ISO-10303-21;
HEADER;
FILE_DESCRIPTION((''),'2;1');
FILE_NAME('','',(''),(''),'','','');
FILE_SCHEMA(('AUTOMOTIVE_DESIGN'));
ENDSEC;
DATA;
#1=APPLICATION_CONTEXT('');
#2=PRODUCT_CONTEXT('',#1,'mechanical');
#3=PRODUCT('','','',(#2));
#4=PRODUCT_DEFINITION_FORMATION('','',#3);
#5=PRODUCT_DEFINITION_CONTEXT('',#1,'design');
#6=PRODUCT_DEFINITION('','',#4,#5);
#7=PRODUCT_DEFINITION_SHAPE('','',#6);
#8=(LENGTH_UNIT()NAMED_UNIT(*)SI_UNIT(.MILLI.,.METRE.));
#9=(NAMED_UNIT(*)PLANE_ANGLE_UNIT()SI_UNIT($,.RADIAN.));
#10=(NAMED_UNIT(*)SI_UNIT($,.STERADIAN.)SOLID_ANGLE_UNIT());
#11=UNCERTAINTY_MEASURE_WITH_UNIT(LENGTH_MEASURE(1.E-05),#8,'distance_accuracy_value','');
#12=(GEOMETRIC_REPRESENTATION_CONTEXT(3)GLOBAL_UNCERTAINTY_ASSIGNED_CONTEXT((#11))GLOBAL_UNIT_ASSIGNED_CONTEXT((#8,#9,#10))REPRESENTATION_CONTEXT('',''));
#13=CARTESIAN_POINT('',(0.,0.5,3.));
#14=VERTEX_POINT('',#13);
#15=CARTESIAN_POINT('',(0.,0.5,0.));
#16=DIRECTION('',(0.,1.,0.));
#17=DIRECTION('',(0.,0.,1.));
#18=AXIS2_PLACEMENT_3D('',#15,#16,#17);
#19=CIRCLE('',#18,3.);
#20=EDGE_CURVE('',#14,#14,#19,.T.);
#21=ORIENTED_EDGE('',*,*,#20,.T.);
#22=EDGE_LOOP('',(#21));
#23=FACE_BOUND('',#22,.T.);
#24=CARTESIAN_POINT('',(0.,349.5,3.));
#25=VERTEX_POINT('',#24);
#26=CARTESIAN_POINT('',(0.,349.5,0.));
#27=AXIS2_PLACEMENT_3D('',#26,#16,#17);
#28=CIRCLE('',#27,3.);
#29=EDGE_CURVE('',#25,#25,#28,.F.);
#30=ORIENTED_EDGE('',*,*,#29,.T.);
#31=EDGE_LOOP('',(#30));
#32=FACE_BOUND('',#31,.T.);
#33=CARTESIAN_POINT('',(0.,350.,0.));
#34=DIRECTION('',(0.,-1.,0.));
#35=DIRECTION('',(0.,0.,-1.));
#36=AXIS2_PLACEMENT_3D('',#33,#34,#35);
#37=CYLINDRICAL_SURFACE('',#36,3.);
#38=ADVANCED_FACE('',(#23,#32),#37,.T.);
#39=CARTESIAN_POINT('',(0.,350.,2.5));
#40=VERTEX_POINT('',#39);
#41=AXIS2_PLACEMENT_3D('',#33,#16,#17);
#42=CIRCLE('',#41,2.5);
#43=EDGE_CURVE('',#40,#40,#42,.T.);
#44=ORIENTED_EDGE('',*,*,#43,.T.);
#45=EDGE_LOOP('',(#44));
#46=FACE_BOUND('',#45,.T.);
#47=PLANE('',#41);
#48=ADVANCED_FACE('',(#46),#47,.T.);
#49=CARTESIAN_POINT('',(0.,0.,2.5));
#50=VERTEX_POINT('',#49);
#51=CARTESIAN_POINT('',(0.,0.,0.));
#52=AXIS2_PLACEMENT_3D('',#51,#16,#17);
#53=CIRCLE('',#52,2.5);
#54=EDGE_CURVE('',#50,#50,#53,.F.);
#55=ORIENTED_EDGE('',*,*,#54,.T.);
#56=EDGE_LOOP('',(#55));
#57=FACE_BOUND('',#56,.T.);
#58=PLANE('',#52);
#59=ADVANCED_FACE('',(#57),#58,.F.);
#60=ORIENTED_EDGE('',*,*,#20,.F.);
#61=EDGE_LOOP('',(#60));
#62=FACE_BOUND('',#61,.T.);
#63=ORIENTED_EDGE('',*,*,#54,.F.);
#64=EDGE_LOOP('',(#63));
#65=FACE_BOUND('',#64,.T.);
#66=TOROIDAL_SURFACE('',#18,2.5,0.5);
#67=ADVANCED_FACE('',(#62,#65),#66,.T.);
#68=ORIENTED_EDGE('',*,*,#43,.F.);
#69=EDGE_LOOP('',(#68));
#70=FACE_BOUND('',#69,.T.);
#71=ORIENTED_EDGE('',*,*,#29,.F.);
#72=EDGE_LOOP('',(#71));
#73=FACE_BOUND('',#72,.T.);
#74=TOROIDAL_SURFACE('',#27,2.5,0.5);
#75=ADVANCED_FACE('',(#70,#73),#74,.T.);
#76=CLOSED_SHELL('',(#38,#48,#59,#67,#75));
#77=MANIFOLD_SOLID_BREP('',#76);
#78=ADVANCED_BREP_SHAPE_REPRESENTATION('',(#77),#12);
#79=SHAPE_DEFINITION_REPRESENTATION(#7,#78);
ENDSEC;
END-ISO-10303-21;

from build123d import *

# Parameters (mm, degrees)
SKETCH_1_R      = 3
EXTRUDE_1_DEPTH = 350
FILLET_1_R      = 0.5
FILLET_2_R      = 0.5


with BuildPart() as part:
    # 草图1 → 凸台-拉伸1 (new body)
    with BuildSketch(Plane(origin=(0, 0, 0), x_dir=(1, 0, 0), z_dir=(0, 1, 0))):
        with Locations(Location((0, 0, 0), (0, 0, 270))):
            Circle(SKETCH_1_R)
    extrude(amount=EXTRUDE_1_DEPTH)

    # 圆角1
    fillet_1_edges = [part.edges().sort_by_distance(p)[0] for p in [
        (0, 0, -3),
    ]]
    fillet(fillet_1_edges, radius=FILLET_1_R)

    # 圆角2
    fillet_2_edges = [part.edges().sort_by_distance(p)[0] for p in [
        (0, 350, -3),
    ]]
    fillet(fillet_2_edges, radius=FILLET_2_R)


solid = part.part
